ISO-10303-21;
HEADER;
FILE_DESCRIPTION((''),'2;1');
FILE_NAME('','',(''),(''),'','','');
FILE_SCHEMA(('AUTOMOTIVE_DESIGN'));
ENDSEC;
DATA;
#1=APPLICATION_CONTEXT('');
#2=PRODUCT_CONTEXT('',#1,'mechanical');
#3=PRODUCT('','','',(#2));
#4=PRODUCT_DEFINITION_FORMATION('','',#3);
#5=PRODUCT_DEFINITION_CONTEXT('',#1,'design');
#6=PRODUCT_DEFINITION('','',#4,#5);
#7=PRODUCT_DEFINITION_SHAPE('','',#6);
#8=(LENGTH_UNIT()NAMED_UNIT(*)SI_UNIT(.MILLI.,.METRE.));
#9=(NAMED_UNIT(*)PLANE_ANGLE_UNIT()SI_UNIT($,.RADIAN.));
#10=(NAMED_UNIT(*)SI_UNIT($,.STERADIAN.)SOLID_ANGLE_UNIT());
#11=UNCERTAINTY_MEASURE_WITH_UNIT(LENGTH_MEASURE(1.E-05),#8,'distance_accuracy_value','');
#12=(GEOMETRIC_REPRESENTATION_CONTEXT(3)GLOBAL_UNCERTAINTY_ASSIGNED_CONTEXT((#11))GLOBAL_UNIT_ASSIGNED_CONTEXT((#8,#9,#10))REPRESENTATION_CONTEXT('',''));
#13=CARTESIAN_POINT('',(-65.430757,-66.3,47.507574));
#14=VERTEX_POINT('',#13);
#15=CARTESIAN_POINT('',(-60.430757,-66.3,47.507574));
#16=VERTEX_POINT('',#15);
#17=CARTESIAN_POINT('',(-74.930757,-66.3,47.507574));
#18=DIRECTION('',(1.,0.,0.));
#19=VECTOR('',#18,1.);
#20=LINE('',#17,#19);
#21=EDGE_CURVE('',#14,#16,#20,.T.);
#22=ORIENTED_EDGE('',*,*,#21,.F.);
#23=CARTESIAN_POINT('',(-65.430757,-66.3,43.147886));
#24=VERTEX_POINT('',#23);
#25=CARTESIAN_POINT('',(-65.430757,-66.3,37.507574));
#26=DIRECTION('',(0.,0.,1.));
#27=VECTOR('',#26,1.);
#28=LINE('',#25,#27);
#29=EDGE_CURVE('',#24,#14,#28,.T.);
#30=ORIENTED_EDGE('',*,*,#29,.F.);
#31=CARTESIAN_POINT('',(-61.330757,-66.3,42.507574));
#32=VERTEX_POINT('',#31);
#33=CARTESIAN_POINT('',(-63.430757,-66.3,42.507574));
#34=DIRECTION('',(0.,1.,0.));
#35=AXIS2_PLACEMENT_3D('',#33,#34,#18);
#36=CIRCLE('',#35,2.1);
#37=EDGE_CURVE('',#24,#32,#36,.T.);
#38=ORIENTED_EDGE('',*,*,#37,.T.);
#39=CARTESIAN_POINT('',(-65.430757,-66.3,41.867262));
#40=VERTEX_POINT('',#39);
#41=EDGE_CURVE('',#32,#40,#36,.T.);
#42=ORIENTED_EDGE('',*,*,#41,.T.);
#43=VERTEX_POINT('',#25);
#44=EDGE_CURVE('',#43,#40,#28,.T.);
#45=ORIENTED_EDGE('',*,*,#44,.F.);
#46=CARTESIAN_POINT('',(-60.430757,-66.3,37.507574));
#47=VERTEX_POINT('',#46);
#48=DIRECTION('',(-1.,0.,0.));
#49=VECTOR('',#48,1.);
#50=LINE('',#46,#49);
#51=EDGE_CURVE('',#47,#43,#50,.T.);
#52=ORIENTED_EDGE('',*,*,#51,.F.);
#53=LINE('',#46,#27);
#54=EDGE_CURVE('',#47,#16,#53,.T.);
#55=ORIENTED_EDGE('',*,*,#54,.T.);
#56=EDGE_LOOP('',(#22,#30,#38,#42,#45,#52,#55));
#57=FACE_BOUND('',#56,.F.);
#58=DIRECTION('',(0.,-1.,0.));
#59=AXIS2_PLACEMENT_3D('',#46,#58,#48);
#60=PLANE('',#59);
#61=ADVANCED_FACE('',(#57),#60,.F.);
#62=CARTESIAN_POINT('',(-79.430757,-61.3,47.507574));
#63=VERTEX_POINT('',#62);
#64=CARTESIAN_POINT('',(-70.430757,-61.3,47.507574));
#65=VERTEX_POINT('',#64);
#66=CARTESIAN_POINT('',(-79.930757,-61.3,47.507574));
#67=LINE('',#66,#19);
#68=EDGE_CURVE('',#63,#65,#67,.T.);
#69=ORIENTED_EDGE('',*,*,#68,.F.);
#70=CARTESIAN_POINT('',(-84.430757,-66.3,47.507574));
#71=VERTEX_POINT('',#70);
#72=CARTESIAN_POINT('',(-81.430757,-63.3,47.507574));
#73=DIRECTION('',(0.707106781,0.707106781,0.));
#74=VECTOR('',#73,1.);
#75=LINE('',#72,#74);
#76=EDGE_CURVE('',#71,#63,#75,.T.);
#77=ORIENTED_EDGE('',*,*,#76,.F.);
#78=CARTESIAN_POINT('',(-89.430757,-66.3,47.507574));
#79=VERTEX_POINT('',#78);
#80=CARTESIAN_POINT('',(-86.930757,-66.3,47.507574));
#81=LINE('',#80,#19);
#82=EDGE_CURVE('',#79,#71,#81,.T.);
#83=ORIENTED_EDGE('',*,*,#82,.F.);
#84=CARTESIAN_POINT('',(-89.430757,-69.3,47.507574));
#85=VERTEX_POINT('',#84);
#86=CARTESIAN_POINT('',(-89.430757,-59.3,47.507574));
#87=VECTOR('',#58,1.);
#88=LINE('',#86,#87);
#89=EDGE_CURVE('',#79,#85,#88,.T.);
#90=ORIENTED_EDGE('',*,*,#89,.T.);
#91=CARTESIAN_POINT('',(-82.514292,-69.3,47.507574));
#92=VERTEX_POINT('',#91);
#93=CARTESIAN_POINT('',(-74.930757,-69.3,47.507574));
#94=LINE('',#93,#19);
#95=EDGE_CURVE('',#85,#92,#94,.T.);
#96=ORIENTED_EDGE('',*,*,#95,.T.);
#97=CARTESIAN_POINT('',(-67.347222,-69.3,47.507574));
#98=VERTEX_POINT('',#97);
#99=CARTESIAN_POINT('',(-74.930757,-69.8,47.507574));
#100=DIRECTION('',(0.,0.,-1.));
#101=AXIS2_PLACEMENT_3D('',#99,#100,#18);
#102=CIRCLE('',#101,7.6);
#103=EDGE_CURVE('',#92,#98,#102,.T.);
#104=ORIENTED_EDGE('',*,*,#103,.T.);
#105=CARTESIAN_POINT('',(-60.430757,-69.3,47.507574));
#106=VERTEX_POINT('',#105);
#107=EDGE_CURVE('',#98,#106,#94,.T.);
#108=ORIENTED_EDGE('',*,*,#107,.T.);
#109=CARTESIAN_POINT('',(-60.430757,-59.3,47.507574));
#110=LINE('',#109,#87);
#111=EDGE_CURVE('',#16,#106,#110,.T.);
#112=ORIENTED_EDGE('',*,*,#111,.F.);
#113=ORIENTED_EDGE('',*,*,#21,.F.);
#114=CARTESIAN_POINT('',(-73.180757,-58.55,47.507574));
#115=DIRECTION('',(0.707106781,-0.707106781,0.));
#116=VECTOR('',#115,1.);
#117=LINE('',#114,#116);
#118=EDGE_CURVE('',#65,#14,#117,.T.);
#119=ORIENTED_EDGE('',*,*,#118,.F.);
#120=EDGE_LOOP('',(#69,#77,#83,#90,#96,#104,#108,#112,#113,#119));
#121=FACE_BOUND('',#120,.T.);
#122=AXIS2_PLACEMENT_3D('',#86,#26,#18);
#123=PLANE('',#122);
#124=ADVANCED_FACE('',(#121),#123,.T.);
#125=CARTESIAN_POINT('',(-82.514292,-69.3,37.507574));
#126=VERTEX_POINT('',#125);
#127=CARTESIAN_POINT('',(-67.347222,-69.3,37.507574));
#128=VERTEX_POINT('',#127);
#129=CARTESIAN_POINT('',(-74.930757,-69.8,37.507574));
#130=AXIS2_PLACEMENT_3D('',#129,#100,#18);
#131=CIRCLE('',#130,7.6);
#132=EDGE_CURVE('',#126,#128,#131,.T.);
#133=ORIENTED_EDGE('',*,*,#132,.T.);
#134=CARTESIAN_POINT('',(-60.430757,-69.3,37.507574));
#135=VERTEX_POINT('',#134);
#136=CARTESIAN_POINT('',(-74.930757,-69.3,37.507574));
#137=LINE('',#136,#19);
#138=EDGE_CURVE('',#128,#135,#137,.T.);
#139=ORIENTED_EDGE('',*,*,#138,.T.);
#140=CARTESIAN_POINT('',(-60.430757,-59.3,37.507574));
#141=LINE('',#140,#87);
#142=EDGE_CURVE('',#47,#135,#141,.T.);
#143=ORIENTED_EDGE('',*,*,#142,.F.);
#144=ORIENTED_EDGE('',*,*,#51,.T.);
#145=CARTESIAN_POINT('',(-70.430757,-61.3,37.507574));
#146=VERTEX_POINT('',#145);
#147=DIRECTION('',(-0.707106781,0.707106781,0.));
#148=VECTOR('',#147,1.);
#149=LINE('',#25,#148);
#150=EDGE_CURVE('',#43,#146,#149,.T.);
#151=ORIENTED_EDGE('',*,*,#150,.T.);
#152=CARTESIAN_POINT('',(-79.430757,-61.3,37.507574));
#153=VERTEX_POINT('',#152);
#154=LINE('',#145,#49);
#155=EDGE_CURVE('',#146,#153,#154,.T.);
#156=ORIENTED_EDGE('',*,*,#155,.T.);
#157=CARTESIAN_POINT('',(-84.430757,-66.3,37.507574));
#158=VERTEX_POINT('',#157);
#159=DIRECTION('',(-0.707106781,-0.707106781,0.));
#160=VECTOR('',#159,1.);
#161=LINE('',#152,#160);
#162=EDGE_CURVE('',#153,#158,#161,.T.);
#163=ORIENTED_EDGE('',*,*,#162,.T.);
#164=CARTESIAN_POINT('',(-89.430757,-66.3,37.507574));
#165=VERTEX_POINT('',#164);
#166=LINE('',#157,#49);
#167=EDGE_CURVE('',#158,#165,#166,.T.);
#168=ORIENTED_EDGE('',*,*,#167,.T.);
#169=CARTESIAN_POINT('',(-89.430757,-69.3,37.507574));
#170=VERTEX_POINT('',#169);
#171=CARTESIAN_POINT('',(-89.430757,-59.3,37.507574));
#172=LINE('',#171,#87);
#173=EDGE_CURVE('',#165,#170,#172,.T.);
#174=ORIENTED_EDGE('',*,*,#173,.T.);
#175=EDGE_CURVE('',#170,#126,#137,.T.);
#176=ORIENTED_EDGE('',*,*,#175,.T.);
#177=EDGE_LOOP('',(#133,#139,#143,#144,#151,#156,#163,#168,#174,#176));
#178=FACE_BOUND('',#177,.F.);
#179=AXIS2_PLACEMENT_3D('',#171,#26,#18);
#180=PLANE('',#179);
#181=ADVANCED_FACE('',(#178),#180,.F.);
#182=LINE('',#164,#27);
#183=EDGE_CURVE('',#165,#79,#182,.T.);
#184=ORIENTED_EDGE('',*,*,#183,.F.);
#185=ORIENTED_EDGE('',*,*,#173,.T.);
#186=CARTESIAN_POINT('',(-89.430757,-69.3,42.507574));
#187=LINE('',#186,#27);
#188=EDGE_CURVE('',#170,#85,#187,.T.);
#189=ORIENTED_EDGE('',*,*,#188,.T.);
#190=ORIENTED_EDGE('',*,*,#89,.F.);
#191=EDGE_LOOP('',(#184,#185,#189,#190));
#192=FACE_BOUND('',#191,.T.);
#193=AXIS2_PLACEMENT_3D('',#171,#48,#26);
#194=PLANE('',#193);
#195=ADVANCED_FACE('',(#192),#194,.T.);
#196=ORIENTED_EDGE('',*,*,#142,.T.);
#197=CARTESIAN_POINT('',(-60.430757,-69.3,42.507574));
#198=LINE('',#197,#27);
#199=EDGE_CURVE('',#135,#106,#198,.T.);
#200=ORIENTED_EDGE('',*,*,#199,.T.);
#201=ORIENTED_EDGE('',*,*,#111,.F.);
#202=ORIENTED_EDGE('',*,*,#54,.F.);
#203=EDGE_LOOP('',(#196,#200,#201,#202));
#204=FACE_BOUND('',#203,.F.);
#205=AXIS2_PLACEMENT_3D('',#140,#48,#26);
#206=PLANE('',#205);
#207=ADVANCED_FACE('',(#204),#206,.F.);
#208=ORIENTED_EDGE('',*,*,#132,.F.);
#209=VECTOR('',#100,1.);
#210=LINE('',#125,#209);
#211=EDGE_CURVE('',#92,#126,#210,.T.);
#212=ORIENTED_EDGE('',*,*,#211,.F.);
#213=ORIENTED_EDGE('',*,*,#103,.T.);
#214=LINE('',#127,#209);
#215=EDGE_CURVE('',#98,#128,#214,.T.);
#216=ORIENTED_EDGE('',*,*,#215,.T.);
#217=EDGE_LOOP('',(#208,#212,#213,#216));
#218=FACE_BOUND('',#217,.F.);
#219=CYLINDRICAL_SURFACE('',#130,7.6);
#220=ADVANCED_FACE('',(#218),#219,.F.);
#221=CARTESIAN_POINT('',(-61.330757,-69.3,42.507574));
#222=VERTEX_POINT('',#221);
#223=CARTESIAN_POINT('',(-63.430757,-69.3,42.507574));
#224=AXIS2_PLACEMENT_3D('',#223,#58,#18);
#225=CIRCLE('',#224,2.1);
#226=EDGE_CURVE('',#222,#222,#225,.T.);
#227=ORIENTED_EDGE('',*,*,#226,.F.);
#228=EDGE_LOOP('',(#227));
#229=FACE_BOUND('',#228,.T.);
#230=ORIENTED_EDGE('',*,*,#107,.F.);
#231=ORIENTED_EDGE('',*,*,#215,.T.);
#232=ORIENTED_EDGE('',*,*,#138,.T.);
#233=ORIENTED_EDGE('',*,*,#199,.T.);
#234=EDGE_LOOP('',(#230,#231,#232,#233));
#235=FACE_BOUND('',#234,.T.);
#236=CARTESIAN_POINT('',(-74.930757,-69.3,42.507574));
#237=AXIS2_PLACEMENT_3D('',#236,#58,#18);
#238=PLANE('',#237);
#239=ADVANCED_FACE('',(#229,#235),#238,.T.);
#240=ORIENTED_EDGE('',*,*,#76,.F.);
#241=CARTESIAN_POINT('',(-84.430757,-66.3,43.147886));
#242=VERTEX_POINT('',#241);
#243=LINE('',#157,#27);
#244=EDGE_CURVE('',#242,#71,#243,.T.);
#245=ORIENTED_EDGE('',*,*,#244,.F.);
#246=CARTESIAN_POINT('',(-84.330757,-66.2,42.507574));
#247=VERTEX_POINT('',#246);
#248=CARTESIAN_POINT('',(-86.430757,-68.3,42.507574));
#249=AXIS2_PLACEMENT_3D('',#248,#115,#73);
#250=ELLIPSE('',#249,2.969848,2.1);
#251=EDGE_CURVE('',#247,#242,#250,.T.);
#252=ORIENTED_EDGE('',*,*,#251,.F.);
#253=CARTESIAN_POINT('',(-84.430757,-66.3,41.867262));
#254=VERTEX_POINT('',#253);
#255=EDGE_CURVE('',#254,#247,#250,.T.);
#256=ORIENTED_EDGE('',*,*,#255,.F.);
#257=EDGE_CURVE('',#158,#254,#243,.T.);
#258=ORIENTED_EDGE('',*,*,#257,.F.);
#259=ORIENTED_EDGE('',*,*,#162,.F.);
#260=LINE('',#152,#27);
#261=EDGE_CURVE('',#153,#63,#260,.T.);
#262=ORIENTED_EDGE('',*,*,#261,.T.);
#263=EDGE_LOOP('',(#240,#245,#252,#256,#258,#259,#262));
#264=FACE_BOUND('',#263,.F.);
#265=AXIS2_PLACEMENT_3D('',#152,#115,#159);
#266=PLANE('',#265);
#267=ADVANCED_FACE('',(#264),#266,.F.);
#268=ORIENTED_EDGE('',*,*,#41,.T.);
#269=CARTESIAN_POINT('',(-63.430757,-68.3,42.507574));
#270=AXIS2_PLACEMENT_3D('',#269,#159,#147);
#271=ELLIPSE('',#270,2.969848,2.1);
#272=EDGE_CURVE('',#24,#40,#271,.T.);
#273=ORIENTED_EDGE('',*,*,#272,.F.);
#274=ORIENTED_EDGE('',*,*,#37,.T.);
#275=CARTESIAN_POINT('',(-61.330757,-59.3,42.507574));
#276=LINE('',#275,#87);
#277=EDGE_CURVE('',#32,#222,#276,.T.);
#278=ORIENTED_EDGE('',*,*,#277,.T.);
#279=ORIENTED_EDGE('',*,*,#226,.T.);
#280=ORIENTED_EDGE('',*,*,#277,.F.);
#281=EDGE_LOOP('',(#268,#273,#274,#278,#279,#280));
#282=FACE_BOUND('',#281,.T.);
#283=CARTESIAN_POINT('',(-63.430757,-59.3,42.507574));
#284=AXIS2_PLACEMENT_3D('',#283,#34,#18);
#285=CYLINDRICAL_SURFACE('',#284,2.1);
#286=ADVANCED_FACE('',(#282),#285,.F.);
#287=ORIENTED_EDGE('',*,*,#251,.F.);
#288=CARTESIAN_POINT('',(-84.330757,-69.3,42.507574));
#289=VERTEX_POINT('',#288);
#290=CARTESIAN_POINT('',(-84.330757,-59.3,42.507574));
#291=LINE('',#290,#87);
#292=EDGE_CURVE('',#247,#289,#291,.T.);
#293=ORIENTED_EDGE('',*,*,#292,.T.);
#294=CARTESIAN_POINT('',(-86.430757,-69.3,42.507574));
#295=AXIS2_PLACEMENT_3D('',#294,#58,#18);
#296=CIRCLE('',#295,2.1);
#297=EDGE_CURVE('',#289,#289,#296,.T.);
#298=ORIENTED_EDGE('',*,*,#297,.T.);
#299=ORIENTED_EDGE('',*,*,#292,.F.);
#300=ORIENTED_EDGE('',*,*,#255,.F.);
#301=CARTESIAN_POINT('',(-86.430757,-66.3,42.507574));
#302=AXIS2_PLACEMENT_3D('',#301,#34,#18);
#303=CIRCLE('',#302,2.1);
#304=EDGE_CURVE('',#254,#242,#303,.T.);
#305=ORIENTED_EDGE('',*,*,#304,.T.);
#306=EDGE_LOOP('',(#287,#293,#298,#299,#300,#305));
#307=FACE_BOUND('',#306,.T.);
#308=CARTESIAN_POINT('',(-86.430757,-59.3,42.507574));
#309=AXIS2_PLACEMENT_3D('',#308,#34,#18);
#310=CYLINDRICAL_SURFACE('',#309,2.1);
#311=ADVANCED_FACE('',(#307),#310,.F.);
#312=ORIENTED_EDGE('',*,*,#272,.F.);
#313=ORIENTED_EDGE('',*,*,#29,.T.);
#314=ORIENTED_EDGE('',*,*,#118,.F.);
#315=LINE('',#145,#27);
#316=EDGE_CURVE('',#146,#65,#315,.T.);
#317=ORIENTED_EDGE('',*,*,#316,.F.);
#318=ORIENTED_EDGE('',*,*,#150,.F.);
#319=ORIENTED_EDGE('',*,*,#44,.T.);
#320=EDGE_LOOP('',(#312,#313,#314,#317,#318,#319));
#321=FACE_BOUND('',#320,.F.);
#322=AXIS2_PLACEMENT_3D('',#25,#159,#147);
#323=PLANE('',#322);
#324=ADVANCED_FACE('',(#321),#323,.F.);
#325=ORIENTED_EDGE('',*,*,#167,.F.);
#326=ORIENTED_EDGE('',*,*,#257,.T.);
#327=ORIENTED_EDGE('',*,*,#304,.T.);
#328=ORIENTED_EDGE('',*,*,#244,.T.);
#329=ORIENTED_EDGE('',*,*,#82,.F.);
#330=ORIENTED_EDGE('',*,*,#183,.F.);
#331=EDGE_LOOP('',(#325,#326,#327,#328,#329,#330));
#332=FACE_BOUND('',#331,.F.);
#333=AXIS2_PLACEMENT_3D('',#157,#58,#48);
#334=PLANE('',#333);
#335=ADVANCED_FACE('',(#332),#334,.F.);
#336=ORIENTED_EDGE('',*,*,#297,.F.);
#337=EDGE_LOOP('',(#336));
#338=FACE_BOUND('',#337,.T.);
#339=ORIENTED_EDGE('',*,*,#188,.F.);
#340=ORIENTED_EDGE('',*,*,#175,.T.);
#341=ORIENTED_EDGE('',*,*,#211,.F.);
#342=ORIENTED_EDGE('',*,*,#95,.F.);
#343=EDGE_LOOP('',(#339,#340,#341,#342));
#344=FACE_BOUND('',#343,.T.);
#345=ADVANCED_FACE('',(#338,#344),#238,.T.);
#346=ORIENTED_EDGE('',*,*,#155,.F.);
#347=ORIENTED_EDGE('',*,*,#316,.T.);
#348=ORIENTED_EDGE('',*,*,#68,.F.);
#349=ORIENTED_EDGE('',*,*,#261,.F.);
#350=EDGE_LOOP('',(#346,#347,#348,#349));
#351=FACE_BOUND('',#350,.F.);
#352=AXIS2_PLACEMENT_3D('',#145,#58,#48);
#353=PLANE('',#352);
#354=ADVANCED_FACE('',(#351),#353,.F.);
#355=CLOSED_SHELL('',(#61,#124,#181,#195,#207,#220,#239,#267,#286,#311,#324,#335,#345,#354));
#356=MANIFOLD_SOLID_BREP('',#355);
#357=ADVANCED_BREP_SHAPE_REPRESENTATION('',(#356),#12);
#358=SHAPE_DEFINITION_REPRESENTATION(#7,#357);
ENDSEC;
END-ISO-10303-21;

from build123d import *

# Parameters (mm, degrees)
SKETCH_W     = 29
SKETCH_H     = 10
SKETCH_R     = 2.1
PAD_DEPTH    = 10
SKETCH001_R  = 7.6
POCKET_DEPTH = 10.001


with BuildPart() as part:
    # Sketch → Pad (new body)
    with BuildSketch(Plane(origin=(-52.3, -59.3, 36), x_dir=(1, 0, 0), z_dir=(0, -1, 0))):
        with Locations((-22.630757, 6.507574)):
            Rectangle(SKETCH_W, SKETCH_H)
        with Locations((-34.130757, 6.507574)):
            Circle(SKETCH_R, mode=Mode.SUBTRACT)
        with Locations((-11.130757, 6.507574)):
            Circle(SKETCH_R, mode=Mode.SUBTRACT)
    extrude(amount=PAD_DEPTH)

    # Sketch001 → Pocket (cut, through all)
    with BuildSketch(Plane(origin=(-52.3, -59.3, 37.507574), x_dir=(1, 0, 0), z_dir=(0, 0, -1))):
        with Locations((-22.630757, 10.5)):
            Circle(SKETCH001_R)
        Polygon((-8.130757, 7), (-13.130757, 7), (-18.130757, 2), (-27.130757, 2), (-32.130757, 7), (-37.130757, 7), (-37.130757, 0), (-8.130757, 0), align=None)
    extrude(amount=-POCKET_DEPTH, mode=Mode.SUBTRACT)


solid = part.part
